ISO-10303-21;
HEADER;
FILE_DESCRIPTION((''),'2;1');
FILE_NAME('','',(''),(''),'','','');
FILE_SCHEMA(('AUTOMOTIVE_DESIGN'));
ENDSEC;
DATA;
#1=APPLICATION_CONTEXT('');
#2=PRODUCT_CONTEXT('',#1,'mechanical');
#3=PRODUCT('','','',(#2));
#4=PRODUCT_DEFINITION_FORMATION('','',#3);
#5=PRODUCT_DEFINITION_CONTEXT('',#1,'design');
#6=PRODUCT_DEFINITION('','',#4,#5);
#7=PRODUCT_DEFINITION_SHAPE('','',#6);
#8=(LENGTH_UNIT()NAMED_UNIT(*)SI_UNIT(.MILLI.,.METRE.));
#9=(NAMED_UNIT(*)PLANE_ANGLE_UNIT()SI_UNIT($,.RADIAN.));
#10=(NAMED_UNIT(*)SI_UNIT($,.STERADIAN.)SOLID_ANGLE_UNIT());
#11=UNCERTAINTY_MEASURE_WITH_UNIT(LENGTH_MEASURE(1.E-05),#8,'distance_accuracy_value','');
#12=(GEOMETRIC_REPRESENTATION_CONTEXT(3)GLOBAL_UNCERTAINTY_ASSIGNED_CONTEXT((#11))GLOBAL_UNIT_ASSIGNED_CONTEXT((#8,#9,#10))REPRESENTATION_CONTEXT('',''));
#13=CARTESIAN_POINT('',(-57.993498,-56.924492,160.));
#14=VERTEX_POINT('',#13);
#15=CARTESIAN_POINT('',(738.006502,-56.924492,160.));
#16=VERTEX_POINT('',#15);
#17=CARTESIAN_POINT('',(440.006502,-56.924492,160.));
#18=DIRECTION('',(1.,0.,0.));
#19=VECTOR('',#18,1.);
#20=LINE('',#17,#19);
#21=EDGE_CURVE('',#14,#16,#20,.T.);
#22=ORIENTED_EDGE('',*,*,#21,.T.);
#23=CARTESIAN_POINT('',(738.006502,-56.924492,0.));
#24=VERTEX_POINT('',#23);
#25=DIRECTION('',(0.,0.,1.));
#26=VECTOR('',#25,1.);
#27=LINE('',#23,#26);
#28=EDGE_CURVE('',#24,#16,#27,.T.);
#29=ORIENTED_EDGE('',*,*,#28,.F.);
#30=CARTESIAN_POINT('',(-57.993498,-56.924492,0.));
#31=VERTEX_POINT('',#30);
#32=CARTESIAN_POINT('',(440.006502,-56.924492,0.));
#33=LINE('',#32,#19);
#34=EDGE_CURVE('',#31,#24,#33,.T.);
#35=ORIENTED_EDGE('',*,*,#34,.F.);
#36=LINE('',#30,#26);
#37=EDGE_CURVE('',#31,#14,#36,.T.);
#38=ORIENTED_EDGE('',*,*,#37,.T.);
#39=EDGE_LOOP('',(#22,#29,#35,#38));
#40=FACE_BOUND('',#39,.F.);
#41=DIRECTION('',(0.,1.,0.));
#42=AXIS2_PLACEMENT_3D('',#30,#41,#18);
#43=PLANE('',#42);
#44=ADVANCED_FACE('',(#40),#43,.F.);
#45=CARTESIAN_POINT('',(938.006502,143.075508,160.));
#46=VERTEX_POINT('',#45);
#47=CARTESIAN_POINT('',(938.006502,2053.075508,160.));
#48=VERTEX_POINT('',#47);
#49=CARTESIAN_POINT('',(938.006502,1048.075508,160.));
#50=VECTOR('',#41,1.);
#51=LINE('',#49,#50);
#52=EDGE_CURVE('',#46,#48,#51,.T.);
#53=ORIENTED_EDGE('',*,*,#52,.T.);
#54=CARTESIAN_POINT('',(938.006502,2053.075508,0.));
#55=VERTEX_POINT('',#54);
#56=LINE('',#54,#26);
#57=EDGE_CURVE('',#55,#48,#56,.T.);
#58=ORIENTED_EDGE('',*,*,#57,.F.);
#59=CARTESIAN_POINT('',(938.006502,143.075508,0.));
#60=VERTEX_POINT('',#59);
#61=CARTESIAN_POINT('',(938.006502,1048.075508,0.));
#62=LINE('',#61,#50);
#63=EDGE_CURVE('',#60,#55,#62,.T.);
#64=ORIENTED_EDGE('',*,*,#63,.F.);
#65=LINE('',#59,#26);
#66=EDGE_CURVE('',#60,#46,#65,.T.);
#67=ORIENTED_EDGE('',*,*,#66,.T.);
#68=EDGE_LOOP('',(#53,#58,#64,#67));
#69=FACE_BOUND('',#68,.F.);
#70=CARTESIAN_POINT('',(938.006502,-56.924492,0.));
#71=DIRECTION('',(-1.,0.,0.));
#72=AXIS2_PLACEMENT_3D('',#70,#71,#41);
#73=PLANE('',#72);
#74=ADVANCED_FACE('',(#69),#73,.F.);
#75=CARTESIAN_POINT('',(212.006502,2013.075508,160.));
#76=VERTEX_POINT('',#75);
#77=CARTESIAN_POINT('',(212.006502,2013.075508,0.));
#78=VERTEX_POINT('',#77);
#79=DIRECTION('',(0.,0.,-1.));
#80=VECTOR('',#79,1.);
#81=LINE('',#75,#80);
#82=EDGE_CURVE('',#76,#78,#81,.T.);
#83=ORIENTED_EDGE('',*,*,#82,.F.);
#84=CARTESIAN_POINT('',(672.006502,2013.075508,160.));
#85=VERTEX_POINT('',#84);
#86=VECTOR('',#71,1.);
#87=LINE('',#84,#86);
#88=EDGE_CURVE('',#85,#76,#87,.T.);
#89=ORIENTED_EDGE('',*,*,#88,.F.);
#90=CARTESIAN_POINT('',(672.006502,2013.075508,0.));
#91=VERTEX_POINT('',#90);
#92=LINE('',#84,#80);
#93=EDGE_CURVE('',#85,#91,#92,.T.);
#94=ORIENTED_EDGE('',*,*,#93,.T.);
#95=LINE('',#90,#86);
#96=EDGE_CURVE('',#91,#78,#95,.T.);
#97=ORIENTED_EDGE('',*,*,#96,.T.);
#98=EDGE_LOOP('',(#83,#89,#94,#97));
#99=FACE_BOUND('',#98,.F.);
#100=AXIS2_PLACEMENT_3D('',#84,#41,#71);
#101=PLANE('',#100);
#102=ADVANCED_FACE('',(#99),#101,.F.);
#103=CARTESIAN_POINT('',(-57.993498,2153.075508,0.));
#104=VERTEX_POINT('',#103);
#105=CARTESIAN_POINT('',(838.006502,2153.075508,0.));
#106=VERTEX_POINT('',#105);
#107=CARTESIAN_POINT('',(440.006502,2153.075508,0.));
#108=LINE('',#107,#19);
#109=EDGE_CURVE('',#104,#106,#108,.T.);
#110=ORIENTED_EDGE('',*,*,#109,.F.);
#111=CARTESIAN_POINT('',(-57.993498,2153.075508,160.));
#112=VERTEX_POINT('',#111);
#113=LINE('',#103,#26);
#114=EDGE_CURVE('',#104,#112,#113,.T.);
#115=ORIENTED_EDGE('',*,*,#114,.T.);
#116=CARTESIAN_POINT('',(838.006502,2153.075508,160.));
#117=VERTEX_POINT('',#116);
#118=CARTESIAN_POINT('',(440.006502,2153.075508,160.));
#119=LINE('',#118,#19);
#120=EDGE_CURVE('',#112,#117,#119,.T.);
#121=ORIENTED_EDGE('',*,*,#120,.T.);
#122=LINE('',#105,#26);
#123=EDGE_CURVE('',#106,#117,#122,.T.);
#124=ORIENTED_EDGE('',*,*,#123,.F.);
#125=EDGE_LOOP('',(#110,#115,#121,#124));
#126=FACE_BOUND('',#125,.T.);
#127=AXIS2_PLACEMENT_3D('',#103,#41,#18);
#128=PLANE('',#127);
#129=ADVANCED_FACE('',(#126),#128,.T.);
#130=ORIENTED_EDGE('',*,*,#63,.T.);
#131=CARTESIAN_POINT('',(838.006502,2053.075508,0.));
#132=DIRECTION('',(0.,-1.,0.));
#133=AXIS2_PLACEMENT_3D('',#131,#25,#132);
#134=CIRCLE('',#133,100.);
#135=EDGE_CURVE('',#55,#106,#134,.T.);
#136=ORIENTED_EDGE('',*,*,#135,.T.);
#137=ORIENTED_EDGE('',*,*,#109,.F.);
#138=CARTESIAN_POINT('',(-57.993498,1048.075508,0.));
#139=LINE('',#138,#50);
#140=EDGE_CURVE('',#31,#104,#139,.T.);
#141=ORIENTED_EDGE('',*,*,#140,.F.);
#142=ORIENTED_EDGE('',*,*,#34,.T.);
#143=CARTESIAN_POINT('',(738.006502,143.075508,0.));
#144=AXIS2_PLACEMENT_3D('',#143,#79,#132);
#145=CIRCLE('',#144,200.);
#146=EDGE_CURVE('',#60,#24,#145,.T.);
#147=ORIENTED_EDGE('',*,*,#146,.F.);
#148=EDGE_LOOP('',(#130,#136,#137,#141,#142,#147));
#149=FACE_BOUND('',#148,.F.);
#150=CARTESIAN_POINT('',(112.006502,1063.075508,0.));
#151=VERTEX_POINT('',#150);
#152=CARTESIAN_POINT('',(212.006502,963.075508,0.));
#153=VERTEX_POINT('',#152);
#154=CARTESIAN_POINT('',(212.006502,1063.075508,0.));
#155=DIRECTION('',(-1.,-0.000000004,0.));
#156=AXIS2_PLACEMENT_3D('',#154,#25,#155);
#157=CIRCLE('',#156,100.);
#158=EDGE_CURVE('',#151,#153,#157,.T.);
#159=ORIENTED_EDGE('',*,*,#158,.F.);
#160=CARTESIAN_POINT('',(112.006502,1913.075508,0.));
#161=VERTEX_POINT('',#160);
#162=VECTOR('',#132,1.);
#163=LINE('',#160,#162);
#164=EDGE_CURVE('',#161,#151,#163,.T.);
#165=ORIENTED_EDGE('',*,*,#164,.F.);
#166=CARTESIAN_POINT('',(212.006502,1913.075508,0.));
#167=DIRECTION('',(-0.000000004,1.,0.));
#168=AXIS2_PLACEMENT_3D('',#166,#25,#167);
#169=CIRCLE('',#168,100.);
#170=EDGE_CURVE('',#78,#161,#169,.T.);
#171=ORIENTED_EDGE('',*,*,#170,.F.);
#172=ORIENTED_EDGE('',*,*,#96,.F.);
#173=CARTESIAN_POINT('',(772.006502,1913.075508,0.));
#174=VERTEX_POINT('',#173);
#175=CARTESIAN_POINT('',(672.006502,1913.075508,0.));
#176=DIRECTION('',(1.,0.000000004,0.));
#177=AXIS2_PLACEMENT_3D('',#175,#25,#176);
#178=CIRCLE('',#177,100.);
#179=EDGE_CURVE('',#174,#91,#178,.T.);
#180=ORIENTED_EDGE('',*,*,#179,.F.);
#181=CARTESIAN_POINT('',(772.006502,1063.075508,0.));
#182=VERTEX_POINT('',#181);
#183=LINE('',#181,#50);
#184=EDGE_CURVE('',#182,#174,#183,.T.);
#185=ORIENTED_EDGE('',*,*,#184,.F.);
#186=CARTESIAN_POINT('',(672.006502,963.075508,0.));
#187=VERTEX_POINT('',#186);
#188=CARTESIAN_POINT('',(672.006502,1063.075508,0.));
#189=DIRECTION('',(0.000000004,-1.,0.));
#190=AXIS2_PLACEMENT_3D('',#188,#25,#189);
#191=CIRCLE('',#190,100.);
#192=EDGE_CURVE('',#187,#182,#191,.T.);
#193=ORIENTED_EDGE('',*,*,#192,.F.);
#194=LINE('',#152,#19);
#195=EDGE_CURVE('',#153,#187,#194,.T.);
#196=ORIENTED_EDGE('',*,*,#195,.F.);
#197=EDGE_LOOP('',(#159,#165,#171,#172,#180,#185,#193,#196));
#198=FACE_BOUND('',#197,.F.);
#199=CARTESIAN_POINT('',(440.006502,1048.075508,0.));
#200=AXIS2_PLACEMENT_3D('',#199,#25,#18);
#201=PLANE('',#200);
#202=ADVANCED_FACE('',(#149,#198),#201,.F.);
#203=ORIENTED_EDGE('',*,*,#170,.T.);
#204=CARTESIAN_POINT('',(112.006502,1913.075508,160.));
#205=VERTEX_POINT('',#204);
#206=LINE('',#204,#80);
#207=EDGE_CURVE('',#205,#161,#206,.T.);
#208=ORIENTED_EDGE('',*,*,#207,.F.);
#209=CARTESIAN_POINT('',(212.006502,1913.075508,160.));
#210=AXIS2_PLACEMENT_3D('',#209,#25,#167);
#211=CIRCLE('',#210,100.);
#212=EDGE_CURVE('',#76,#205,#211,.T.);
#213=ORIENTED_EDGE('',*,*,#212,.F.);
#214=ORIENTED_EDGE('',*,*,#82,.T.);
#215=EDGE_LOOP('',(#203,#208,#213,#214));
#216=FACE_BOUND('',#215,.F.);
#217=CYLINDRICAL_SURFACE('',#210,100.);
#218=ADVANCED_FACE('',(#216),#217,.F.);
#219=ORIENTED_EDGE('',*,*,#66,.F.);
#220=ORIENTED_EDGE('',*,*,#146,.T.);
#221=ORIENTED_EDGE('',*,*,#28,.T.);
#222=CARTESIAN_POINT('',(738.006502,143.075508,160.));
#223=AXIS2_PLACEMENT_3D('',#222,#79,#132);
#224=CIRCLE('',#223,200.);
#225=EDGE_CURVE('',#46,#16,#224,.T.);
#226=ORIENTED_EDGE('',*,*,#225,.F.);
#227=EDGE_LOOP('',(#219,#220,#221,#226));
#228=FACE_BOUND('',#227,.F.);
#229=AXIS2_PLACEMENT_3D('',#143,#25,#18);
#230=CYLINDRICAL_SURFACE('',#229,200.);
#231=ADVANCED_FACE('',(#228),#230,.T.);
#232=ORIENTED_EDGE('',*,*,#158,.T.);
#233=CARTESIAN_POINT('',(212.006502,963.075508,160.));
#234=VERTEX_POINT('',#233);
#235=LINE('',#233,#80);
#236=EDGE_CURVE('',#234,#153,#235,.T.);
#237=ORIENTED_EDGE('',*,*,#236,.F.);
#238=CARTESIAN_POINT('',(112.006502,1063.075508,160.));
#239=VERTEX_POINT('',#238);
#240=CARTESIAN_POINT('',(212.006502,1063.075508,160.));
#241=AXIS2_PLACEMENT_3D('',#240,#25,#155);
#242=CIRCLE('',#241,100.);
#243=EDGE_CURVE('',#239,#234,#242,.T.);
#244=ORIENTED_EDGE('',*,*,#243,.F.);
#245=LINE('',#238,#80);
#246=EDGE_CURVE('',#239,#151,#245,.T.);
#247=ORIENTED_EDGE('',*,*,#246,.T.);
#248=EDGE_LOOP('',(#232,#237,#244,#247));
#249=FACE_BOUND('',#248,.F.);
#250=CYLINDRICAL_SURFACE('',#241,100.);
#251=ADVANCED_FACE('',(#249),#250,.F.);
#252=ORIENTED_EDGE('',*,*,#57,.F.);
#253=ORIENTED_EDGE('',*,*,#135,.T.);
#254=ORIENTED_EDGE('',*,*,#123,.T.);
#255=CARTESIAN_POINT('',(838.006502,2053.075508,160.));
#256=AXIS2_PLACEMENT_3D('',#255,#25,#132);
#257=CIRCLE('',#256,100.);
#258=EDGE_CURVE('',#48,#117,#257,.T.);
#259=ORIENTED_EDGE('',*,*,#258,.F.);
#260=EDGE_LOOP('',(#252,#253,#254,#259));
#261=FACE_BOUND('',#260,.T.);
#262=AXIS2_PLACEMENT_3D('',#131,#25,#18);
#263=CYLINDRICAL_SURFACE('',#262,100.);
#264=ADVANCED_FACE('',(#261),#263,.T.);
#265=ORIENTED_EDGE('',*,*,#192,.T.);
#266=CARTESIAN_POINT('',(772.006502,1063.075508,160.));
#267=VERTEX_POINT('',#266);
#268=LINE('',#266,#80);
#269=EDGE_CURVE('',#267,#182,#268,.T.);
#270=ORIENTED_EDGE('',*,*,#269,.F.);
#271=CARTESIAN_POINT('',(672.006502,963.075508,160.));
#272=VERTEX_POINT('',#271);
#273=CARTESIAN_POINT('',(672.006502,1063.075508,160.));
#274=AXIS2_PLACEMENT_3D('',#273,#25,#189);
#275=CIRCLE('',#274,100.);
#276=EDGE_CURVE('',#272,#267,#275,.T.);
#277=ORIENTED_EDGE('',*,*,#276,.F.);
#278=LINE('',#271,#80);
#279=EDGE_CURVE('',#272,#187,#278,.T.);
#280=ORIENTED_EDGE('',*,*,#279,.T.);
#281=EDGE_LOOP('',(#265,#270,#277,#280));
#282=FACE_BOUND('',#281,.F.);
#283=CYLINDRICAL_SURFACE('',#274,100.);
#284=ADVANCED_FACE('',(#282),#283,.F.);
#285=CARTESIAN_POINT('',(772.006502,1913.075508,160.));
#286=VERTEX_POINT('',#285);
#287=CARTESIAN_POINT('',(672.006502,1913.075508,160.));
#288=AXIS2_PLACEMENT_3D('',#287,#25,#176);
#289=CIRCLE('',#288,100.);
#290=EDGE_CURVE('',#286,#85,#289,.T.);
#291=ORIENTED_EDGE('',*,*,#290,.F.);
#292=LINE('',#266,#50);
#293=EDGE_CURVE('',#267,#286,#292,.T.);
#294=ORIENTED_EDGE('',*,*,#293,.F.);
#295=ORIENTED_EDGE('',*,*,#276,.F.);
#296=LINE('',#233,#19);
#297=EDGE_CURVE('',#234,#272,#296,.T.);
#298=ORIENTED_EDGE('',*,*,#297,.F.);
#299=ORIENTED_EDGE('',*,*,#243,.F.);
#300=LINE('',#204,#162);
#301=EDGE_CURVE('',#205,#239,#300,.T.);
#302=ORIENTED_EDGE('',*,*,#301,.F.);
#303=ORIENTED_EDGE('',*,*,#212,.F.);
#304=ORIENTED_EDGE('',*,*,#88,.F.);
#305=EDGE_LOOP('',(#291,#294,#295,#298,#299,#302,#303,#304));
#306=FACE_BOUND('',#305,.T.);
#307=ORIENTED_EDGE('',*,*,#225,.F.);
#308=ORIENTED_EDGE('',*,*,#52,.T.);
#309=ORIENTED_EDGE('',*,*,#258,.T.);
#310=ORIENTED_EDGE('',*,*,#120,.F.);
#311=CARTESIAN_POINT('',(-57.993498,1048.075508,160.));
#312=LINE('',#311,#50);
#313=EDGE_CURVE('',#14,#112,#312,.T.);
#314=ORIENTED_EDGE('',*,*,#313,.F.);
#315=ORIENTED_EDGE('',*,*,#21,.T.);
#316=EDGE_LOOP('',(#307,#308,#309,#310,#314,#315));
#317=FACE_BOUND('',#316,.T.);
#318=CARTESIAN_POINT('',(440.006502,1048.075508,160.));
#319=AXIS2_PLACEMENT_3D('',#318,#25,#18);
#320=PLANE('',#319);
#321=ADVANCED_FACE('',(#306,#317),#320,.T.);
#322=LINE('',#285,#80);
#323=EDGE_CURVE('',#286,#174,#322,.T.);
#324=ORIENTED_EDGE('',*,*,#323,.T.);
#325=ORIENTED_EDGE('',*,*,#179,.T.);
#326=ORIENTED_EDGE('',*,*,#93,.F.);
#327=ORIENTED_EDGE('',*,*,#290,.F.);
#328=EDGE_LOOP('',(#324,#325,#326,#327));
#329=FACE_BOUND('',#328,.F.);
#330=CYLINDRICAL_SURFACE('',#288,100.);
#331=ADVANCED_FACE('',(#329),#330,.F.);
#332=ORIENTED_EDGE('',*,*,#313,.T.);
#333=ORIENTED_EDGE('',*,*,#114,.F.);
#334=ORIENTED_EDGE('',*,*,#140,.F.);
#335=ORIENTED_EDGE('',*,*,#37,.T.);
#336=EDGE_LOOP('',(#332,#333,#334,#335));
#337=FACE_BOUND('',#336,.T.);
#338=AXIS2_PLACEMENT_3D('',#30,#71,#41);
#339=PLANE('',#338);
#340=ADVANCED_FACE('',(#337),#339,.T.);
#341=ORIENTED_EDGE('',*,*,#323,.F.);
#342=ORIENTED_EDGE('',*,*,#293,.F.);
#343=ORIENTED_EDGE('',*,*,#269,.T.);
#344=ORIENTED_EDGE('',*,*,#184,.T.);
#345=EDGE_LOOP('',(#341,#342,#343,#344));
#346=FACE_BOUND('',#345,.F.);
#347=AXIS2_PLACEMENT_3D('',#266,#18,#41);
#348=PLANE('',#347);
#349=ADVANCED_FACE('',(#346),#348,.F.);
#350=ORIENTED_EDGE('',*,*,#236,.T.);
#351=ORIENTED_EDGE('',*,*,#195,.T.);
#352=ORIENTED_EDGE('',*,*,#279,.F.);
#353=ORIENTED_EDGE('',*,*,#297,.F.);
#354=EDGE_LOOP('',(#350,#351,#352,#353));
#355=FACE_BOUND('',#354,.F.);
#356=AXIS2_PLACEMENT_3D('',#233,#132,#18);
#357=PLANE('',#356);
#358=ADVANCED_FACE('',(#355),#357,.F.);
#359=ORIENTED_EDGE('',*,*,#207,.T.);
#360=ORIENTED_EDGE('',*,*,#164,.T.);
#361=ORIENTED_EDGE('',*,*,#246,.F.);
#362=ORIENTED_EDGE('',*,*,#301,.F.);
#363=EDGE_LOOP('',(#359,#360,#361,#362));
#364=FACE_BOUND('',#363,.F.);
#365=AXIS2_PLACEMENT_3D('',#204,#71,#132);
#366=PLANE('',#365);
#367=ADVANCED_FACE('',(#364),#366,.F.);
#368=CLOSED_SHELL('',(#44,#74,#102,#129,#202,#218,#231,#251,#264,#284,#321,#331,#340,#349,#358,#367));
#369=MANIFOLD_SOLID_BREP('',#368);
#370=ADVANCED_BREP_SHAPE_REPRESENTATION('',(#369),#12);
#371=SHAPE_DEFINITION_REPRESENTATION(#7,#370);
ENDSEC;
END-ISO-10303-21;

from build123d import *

# Parameters (mm, degrees)
F0_W     = 996
F0_H     = 2210
F1_DEPTH = 160
F2_R     = 100
F3_R     = 200
F5_DEPTH = 160


with BuildPart() as f1:
    # F0 (on Top) → F1 (new body)
    with BuildSketch(Plane.XY):
        with Locations((440.006502, 1048.075508)):
            Rectangle(F0_W, F0_H)
    extrude(amount=F1_DEPTH)

    # F2
    f2_edges = [f1.edges().sort_by_distance(p)[0] for p in [
        (938.006502, 2153.075508, 80),
    ]]
    fillet(f2_edges, radius=F2_R)

    # F3
    f3_edges = [f1.edges().sort_by_distance(p)[0] for p in [
        (938.006502, -56.924492, 80),
    ]]
    fillet(f3_edges, radius=F3_R)

    # F4 (on face) → F5 (cut, through all)
    with BuildSketch(Plane.XY.offset(160)):
        with BuildLine():
            Line((672.006502, 2013.075508), (212.006502, 2013.075508))
            ThreePointArc((212.006502, 2013.075508), (141.295824, 1983.786186), (112.006502, 1913.075508))
            Line((112.006502, 1913.075508), (112.006502, 1063.075508))
            ThreePointArc((112.006502, 1063.075508), (141.295824, 992.36483), (212.006502, 963.075508))
            Line((212.006502, 963.075508), (672.006502, 963.075508))
            ThreePointArc((672.006502, 963.075508), (742.71718, 992.36483), (772.006502, 1063.075508))
            Line((772.006502, 1063.075508), (772.006502, 1913.075508))
            ThreePointArc((772.006502, 1913.075508), (742.71718, 1983.786186), (672.006502, 2013.075508))
        make_face()
    extrude(amount=-F5_DEPTH, mode=Mode.SUBTRACT)


solid = f1.part
